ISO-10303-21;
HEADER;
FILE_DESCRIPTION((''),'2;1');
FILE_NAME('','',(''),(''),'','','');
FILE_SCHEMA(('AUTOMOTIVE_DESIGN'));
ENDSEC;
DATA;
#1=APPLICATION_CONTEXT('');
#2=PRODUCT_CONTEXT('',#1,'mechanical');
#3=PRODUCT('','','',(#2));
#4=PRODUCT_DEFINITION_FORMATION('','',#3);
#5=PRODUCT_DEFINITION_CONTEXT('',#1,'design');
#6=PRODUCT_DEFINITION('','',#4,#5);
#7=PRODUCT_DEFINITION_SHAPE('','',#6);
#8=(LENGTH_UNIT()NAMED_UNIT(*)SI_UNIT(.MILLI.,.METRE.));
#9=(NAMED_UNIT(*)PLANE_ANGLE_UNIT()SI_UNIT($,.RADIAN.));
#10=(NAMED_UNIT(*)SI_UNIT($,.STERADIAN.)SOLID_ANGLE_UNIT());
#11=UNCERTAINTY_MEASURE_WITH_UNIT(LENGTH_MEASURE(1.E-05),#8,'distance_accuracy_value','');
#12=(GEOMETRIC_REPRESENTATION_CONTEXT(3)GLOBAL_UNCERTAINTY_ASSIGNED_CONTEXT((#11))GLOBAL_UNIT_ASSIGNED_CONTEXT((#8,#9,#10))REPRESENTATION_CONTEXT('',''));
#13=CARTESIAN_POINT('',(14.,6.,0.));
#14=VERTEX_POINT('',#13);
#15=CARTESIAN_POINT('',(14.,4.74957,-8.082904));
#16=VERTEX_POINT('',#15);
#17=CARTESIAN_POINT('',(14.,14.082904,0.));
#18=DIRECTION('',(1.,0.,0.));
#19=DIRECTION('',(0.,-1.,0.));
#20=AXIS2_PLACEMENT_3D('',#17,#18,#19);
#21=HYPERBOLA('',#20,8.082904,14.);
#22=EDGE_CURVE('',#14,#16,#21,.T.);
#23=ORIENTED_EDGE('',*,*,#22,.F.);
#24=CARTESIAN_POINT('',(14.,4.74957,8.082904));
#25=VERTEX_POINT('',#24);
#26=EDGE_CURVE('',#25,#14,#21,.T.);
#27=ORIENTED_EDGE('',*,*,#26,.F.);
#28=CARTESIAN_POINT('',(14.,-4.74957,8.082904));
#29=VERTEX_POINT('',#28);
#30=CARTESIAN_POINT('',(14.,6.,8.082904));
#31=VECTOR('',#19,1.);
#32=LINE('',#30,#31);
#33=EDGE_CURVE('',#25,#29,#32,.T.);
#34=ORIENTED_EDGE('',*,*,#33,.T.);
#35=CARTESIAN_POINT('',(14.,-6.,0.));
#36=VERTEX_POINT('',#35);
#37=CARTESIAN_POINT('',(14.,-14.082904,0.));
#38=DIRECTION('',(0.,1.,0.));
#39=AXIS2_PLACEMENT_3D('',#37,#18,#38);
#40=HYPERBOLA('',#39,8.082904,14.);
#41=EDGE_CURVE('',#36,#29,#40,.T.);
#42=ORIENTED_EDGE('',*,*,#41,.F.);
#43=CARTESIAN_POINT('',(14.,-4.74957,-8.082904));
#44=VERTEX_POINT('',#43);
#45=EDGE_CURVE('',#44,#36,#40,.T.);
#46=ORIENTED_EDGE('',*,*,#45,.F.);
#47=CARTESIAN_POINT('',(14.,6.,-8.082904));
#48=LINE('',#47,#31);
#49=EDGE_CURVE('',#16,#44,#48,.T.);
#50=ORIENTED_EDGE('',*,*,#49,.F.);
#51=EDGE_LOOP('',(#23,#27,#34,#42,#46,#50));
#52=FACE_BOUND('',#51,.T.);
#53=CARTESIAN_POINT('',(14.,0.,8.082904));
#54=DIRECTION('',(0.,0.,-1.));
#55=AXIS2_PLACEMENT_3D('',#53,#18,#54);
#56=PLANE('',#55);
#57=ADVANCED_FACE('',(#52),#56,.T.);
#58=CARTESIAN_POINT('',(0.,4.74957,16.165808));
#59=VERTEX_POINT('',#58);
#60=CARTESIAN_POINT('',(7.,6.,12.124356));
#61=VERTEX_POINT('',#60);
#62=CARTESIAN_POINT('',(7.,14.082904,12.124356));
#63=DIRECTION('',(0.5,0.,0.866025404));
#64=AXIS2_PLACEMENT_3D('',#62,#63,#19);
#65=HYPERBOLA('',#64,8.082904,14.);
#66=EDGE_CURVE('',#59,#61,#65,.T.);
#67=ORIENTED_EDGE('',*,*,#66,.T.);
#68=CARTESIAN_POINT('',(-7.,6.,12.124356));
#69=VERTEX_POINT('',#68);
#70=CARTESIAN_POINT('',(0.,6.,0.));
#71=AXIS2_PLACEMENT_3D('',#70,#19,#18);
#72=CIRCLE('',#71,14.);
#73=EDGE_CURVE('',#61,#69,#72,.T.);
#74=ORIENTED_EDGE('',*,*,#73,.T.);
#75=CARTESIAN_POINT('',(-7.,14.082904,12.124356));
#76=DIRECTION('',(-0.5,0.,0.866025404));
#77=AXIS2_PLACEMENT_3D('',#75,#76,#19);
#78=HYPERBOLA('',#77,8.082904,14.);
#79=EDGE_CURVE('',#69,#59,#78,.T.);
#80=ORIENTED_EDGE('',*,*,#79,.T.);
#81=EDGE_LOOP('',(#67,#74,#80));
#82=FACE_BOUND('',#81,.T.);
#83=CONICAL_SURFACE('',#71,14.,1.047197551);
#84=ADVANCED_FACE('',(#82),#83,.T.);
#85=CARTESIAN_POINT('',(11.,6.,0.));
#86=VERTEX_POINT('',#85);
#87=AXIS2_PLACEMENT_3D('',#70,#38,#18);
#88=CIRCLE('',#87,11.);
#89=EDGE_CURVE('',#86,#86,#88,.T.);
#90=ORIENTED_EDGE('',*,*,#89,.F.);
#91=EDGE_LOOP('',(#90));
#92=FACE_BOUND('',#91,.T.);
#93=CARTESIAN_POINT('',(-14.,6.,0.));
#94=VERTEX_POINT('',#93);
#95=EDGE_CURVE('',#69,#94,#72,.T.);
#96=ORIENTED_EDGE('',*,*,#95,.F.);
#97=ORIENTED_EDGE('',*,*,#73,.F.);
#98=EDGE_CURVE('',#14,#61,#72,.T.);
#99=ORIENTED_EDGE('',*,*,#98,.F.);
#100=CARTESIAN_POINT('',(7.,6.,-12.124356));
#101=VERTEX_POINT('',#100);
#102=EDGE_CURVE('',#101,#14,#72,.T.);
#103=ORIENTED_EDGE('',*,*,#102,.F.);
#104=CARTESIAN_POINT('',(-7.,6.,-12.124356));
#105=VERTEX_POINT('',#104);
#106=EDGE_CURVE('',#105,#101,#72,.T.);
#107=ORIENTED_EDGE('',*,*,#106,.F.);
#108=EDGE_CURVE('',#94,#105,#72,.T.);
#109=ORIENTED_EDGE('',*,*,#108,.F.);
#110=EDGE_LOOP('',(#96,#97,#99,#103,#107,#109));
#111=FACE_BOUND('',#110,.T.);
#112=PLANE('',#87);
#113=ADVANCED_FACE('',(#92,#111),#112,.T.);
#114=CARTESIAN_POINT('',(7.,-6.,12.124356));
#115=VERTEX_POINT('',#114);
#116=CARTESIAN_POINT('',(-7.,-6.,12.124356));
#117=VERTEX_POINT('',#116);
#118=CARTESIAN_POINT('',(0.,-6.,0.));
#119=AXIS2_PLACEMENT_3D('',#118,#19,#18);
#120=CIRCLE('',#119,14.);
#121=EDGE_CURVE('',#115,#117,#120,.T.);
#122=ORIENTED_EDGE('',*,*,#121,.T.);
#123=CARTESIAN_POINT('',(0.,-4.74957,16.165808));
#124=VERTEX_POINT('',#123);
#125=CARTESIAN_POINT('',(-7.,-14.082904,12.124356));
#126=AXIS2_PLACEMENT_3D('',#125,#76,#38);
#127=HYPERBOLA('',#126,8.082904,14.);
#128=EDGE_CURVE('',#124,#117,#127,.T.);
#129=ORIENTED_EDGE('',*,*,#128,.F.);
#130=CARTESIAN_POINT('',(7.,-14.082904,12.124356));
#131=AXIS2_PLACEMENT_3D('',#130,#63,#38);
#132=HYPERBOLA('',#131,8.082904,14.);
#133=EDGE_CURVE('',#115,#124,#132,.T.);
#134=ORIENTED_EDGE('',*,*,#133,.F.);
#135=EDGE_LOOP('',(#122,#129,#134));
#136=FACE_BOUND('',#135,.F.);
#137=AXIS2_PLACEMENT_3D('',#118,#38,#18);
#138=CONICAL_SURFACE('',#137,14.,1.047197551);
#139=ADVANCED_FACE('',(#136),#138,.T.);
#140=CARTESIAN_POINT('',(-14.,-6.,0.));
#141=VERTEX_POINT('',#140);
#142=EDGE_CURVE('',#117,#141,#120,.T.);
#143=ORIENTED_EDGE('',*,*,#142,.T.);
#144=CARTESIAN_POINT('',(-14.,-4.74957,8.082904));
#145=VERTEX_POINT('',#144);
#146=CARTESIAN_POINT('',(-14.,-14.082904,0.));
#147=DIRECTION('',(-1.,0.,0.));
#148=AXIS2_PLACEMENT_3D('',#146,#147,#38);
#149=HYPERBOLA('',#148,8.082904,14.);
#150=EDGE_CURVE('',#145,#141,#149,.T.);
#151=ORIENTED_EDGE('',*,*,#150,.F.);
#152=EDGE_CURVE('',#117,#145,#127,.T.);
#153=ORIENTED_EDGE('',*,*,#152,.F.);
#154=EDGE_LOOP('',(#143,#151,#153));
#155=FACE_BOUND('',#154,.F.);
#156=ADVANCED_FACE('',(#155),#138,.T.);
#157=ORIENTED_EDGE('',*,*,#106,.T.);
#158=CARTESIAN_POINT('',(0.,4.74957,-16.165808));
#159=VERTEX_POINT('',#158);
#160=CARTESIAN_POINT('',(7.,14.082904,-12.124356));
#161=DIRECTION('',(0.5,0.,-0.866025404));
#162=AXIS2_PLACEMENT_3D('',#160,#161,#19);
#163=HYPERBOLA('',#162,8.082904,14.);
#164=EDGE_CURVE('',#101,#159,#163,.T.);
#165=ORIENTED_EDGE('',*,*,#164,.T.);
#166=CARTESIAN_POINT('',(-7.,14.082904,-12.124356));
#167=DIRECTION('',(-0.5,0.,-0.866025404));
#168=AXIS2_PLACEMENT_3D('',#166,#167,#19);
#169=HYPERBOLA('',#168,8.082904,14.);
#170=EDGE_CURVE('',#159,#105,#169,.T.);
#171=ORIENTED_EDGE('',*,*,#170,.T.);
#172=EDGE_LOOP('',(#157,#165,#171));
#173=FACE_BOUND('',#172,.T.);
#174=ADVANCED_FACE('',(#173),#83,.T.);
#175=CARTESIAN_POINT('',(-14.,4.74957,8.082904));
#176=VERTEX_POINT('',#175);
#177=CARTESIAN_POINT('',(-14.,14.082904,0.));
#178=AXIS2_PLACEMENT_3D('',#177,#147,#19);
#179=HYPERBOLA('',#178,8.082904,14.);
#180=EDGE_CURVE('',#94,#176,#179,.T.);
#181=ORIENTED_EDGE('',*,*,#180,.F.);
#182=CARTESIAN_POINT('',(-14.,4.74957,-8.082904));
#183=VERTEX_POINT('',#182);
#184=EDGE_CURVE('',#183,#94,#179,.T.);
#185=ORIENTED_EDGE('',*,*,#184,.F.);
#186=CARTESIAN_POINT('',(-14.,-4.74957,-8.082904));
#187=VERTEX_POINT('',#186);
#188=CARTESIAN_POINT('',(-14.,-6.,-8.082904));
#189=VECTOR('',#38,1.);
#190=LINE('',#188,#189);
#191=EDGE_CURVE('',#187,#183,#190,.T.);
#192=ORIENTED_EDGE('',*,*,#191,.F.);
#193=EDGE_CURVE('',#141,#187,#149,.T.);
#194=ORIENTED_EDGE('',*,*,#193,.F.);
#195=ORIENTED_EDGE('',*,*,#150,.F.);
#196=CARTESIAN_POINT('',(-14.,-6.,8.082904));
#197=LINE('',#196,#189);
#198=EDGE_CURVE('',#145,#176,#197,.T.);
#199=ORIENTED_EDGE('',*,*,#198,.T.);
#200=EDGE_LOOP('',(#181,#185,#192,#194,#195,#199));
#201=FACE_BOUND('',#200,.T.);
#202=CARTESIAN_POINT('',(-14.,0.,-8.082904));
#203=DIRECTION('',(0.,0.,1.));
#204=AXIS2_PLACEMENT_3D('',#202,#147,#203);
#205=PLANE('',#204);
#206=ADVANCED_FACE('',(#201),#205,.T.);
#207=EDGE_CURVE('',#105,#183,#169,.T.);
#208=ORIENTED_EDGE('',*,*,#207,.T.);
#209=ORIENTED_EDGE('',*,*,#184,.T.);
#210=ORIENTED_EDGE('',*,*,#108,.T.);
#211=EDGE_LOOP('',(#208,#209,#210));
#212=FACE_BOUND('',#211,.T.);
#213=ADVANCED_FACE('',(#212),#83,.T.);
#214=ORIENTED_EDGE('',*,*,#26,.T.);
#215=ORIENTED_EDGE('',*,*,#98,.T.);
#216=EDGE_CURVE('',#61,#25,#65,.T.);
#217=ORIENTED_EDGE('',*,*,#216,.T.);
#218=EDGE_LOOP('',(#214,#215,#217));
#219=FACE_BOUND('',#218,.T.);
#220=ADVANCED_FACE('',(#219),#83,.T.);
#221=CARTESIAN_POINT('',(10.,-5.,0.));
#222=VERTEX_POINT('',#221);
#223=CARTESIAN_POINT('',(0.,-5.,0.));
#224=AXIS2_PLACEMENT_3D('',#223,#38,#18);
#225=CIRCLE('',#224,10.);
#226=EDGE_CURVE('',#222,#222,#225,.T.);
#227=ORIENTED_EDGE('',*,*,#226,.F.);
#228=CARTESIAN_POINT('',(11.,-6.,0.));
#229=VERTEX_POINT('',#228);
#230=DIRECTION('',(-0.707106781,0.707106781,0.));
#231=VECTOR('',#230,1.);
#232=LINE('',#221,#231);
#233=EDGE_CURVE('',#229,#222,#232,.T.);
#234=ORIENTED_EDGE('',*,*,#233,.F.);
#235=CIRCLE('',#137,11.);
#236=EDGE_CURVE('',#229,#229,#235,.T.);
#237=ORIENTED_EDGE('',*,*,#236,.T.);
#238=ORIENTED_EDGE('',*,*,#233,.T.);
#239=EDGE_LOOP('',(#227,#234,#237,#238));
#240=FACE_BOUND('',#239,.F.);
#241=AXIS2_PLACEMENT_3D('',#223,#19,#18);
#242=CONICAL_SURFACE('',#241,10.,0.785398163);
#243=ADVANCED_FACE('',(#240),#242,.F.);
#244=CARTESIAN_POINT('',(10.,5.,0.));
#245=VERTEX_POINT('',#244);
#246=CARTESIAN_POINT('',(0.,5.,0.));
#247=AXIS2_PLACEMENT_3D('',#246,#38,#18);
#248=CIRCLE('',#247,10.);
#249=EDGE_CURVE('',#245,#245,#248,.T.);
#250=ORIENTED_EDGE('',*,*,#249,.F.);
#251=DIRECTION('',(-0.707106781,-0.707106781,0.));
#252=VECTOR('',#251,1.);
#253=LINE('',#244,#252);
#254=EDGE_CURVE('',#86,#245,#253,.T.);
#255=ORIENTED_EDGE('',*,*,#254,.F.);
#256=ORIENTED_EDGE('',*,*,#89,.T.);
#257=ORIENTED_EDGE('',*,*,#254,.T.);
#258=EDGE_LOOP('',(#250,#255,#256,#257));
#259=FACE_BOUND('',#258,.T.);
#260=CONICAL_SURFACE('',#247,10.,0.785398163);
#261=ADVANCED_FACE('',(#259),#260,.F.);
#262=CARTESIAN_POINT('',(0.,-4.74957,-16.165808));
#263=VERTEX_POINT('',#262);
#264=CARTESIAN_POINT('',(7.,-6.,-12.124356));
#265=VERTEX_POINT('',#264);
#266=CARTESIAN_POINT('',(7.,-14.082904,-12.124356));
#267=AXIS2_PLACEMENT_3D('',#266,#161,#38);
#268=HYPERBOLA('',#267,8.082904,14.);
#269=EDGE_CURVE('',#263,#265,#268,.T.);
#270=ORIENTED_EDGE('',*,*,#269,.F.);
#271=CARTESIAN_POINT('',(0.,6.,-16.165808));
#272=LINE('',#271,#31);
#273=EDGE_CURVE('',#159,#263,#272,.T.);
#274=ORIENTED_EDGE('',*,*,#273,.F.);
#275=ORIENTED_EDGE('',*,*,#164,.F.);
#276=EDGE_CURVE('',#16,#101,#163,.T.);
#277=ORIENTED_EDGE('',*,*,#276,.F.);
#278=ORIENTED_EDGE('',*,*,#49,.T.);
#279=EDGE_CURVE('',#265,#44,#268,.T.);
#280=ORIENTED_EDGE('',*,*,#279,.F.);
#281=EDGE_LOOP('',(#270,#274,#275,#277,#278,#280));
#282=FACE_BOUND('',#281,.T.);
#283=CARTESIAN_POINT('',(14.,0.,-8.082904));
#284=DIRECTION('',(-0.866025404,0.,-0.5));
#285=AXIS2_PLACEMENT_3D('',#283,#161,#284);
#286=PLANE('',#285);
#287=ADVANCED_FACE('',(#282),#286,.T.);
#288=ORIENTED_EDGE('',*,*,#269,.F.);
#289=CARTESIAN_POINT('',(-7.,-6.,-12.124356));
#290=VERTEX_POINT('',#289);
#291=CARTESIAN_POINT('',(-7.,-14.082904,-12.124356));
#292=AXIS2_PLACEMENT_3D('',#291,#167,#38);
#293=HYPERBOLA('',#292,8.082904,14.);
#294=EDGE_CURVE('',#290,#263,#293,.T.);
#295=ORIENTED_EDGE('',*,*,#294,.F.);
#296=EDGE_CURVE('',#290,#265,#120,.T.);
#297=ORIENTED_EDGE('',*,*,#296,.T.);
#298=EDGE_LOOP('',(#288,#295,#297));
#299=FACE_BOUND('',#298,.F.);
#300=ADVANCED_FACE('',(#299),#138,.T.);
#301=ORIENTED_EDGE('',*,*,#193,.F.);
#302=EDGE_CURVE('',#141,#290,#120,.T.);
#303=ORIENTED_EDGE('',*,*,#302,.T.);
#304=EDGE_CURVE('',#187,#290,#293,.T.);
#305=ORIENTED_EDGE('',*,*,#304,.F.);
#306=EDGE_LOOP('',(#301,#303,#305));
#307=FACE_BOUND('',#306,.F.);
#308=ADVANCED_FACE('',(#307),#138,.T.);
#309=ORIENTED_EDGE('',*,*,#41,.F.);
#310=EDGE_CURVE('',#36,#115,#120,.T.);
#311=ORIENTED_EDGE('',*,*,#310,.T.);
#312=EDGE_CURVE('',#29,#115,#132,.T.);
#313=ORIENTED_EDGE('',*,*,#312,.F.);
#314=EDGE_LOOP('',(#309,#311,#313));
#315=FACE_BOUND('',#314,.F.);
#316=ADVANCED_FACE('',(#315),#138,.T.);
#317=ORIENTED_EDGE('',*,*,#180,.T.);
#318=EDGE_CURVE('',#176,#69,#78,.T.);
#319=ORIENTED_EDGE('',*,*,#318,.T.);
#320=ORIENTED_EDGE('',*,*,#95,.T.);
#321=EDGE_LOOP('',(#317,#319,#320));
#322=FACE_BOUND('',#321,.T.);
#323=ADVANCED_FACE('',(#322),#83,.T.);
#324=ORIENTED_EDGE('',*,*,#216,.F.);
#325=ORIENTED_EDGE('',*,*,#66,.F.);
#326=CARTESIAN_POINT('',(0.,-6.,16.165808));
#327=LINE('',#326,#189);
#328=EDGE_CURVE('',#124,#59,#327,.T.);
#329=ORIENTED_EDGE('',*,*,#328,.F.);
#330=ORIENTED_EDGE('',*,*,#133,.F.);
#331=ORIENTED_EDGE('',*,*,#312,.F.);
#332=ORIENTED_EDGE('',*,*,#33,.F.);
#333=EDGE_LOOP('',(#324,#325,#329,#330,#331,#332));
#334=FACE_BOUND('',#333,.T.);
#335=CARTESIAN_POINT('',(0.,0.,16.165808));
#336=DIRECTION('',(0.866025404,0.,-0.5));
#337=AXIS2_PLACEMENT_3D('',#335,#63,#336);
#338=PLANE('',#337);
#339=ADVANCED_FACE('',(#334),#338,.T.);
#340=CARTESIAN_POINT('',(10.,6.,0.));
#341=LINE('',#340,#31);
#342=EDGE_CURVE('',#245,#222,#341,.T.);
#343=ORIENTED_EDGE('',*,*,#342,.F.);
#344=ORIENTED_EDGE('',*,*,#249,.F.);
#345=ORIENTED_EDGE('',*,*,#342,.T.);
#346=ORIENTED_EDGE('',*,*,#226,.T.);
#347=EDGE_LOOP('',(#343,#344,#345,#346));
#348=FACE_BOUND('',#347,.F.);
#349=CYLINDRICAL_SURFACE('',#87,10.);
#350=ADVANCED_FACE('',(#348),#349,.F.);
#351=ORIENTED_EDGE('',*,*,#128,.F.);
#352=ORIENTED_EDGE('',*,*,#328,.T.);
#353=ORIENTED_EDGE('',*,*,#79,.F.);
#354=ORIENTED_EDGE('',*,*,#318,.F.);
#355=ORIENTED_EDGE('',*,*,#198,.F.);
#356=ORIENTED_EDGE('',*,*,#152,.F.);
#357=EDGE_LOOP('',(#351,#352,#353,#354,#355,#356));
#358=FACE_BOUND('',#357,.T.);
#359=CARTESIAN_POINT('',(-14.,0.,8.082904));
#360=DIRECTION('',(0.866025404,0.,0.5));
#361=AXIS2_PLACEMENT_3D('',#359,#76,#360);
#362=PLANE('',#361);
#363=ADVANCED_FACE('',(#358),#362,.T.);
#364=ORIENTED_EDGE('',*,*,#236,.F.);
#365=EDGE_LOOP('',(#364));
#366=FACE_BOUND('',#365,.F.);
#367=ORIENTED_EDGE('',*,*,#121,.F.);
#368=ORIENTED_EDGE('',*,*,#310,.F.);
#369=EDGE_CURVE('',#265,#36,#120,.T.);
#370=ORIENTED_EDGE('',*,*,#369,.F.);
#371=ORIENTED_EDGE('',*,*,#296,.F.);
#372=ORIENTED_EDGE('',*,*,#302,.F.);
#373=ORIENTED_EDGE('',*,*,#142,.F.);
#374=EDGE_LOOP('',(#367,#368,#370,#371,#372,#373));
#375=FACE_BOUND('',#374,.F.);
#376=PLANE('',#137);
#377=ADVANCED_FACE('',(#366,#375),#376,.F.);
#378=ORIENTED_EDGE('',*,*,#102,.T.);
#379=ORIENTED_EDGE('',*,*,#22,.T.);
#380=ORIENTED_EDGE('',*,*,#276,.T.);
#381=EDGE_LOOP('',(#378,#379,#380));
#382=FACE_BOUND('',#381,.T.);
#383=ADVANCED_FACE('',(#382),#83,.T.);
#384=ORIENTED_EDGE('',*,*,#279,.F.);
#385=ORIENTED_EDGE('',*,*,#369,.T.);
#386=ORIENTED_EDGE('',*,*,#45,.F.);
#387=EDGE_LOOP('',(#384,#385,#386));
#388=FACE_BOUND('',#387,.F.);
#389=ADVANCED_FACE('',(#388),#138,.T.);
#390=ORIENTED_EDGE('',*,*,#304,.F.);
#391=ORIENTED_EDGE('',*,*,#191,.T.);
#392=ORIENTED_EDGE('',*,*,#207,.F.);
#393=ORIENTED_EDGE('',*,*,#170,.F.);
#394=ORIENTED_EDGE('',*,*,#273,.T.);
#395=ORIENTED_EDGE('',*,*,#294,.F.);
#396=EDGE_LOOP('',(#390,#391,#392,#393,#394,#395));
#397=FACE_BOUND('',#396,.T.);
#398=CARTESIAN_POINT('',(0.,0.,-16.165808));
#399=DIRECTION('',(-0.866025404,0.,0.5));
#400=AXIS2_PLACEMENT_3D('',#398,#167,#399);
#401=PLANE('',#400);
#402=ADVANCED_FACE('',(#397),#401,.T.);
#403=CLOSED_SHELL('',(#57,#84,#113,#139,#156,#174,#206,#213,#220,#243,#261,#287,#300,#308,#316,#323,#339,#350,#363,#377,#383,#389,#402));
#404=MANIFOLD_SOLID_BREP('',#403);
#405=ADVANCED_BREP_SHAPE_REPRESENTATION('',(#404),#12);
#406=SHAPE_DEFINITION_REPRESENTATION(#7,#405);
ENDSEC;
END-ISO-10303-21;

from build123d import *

# Parameters (mm, degrees)
BOSS_EXTRUDE1_DEPTH = 6
SKETCH2_OUTSIDE_W   = 80.454
SKETCH2_OUTSIDE_H   = 84.786
SKETCH2_OUTSIDE_R   = 14
CUT_EXTRUDE1_DEPTH  = 12
CUT_EXTRUDE1_TAPER  = 60
SKETCH3_R           = 10
CUT_EXTRUDE2_DEPTH  = 13
CHAMFER1_SIZE       = 1


with BuildPart() as part:
    # Sketch1 → Boss-Extrude1 (new body, symmetric)
    with BuildSketch(Plane(origin=(0, 0, 0), x_dir=(1, 0, 0), z_dir=(0, 1, 0))):
        Polygon((0, 16.165807537), (-14, 8.082903769), (-14, -8.082903769), (0, -16.165807537), (14, -8.082903769), (14, 8.082903769), align=None)
    extrude(amount=BOSS_EXTRUDE1_DEPTH, both=True)

    # Sketch2 outside → Cut-Extrude1 (cut)
    with BuildSketch(Plane(origin=(0, 6, 0), x_dir=(1, 0, 0), z_dir=(0, 1, 0))):
        Rectangle(SKETCH2_OUTSIDE_W, SKETCH2_OUTSIDE_H)
        Circle(SKETCH2_OUTSIDE_R, mode=Mode.SUBTRACT)
    cut_extrude1 = extrude(amount=-CUT_EXTRUDE1_DEPTH, taper=CUT_EXTRUDE1_TAPER, mode=Mode.SUBTRACT)

    # Mirror1: Cut-Extrude1 across plane
    add(cut_extrude1.mirror(Plane.ZX), mode=Mode.SUBTRACT)

    # Sketch3 → Cut-Extrude2 (cut, through all)
    with BuildSketch(Plane(origin=(0, 6, 0), x_dir=(1, 0, 0), z_dir=(0, 1, 0))):
        Circle(SKETCH3_R)
    extrude(amount=-CUT_EXTRUDE2_DEPTH, mode=Mode.SUBTRACT)

    # Chamfer1
    chamfer1_edges = [part.edges().sort_by_distance(p)[0] for p in [
        (-10, -6, 0),
        (-10, 6, 0),
    ]]
    chamfer(chamfer1_edges, length=CHAMFER1_SIZE)


solid = part.part
